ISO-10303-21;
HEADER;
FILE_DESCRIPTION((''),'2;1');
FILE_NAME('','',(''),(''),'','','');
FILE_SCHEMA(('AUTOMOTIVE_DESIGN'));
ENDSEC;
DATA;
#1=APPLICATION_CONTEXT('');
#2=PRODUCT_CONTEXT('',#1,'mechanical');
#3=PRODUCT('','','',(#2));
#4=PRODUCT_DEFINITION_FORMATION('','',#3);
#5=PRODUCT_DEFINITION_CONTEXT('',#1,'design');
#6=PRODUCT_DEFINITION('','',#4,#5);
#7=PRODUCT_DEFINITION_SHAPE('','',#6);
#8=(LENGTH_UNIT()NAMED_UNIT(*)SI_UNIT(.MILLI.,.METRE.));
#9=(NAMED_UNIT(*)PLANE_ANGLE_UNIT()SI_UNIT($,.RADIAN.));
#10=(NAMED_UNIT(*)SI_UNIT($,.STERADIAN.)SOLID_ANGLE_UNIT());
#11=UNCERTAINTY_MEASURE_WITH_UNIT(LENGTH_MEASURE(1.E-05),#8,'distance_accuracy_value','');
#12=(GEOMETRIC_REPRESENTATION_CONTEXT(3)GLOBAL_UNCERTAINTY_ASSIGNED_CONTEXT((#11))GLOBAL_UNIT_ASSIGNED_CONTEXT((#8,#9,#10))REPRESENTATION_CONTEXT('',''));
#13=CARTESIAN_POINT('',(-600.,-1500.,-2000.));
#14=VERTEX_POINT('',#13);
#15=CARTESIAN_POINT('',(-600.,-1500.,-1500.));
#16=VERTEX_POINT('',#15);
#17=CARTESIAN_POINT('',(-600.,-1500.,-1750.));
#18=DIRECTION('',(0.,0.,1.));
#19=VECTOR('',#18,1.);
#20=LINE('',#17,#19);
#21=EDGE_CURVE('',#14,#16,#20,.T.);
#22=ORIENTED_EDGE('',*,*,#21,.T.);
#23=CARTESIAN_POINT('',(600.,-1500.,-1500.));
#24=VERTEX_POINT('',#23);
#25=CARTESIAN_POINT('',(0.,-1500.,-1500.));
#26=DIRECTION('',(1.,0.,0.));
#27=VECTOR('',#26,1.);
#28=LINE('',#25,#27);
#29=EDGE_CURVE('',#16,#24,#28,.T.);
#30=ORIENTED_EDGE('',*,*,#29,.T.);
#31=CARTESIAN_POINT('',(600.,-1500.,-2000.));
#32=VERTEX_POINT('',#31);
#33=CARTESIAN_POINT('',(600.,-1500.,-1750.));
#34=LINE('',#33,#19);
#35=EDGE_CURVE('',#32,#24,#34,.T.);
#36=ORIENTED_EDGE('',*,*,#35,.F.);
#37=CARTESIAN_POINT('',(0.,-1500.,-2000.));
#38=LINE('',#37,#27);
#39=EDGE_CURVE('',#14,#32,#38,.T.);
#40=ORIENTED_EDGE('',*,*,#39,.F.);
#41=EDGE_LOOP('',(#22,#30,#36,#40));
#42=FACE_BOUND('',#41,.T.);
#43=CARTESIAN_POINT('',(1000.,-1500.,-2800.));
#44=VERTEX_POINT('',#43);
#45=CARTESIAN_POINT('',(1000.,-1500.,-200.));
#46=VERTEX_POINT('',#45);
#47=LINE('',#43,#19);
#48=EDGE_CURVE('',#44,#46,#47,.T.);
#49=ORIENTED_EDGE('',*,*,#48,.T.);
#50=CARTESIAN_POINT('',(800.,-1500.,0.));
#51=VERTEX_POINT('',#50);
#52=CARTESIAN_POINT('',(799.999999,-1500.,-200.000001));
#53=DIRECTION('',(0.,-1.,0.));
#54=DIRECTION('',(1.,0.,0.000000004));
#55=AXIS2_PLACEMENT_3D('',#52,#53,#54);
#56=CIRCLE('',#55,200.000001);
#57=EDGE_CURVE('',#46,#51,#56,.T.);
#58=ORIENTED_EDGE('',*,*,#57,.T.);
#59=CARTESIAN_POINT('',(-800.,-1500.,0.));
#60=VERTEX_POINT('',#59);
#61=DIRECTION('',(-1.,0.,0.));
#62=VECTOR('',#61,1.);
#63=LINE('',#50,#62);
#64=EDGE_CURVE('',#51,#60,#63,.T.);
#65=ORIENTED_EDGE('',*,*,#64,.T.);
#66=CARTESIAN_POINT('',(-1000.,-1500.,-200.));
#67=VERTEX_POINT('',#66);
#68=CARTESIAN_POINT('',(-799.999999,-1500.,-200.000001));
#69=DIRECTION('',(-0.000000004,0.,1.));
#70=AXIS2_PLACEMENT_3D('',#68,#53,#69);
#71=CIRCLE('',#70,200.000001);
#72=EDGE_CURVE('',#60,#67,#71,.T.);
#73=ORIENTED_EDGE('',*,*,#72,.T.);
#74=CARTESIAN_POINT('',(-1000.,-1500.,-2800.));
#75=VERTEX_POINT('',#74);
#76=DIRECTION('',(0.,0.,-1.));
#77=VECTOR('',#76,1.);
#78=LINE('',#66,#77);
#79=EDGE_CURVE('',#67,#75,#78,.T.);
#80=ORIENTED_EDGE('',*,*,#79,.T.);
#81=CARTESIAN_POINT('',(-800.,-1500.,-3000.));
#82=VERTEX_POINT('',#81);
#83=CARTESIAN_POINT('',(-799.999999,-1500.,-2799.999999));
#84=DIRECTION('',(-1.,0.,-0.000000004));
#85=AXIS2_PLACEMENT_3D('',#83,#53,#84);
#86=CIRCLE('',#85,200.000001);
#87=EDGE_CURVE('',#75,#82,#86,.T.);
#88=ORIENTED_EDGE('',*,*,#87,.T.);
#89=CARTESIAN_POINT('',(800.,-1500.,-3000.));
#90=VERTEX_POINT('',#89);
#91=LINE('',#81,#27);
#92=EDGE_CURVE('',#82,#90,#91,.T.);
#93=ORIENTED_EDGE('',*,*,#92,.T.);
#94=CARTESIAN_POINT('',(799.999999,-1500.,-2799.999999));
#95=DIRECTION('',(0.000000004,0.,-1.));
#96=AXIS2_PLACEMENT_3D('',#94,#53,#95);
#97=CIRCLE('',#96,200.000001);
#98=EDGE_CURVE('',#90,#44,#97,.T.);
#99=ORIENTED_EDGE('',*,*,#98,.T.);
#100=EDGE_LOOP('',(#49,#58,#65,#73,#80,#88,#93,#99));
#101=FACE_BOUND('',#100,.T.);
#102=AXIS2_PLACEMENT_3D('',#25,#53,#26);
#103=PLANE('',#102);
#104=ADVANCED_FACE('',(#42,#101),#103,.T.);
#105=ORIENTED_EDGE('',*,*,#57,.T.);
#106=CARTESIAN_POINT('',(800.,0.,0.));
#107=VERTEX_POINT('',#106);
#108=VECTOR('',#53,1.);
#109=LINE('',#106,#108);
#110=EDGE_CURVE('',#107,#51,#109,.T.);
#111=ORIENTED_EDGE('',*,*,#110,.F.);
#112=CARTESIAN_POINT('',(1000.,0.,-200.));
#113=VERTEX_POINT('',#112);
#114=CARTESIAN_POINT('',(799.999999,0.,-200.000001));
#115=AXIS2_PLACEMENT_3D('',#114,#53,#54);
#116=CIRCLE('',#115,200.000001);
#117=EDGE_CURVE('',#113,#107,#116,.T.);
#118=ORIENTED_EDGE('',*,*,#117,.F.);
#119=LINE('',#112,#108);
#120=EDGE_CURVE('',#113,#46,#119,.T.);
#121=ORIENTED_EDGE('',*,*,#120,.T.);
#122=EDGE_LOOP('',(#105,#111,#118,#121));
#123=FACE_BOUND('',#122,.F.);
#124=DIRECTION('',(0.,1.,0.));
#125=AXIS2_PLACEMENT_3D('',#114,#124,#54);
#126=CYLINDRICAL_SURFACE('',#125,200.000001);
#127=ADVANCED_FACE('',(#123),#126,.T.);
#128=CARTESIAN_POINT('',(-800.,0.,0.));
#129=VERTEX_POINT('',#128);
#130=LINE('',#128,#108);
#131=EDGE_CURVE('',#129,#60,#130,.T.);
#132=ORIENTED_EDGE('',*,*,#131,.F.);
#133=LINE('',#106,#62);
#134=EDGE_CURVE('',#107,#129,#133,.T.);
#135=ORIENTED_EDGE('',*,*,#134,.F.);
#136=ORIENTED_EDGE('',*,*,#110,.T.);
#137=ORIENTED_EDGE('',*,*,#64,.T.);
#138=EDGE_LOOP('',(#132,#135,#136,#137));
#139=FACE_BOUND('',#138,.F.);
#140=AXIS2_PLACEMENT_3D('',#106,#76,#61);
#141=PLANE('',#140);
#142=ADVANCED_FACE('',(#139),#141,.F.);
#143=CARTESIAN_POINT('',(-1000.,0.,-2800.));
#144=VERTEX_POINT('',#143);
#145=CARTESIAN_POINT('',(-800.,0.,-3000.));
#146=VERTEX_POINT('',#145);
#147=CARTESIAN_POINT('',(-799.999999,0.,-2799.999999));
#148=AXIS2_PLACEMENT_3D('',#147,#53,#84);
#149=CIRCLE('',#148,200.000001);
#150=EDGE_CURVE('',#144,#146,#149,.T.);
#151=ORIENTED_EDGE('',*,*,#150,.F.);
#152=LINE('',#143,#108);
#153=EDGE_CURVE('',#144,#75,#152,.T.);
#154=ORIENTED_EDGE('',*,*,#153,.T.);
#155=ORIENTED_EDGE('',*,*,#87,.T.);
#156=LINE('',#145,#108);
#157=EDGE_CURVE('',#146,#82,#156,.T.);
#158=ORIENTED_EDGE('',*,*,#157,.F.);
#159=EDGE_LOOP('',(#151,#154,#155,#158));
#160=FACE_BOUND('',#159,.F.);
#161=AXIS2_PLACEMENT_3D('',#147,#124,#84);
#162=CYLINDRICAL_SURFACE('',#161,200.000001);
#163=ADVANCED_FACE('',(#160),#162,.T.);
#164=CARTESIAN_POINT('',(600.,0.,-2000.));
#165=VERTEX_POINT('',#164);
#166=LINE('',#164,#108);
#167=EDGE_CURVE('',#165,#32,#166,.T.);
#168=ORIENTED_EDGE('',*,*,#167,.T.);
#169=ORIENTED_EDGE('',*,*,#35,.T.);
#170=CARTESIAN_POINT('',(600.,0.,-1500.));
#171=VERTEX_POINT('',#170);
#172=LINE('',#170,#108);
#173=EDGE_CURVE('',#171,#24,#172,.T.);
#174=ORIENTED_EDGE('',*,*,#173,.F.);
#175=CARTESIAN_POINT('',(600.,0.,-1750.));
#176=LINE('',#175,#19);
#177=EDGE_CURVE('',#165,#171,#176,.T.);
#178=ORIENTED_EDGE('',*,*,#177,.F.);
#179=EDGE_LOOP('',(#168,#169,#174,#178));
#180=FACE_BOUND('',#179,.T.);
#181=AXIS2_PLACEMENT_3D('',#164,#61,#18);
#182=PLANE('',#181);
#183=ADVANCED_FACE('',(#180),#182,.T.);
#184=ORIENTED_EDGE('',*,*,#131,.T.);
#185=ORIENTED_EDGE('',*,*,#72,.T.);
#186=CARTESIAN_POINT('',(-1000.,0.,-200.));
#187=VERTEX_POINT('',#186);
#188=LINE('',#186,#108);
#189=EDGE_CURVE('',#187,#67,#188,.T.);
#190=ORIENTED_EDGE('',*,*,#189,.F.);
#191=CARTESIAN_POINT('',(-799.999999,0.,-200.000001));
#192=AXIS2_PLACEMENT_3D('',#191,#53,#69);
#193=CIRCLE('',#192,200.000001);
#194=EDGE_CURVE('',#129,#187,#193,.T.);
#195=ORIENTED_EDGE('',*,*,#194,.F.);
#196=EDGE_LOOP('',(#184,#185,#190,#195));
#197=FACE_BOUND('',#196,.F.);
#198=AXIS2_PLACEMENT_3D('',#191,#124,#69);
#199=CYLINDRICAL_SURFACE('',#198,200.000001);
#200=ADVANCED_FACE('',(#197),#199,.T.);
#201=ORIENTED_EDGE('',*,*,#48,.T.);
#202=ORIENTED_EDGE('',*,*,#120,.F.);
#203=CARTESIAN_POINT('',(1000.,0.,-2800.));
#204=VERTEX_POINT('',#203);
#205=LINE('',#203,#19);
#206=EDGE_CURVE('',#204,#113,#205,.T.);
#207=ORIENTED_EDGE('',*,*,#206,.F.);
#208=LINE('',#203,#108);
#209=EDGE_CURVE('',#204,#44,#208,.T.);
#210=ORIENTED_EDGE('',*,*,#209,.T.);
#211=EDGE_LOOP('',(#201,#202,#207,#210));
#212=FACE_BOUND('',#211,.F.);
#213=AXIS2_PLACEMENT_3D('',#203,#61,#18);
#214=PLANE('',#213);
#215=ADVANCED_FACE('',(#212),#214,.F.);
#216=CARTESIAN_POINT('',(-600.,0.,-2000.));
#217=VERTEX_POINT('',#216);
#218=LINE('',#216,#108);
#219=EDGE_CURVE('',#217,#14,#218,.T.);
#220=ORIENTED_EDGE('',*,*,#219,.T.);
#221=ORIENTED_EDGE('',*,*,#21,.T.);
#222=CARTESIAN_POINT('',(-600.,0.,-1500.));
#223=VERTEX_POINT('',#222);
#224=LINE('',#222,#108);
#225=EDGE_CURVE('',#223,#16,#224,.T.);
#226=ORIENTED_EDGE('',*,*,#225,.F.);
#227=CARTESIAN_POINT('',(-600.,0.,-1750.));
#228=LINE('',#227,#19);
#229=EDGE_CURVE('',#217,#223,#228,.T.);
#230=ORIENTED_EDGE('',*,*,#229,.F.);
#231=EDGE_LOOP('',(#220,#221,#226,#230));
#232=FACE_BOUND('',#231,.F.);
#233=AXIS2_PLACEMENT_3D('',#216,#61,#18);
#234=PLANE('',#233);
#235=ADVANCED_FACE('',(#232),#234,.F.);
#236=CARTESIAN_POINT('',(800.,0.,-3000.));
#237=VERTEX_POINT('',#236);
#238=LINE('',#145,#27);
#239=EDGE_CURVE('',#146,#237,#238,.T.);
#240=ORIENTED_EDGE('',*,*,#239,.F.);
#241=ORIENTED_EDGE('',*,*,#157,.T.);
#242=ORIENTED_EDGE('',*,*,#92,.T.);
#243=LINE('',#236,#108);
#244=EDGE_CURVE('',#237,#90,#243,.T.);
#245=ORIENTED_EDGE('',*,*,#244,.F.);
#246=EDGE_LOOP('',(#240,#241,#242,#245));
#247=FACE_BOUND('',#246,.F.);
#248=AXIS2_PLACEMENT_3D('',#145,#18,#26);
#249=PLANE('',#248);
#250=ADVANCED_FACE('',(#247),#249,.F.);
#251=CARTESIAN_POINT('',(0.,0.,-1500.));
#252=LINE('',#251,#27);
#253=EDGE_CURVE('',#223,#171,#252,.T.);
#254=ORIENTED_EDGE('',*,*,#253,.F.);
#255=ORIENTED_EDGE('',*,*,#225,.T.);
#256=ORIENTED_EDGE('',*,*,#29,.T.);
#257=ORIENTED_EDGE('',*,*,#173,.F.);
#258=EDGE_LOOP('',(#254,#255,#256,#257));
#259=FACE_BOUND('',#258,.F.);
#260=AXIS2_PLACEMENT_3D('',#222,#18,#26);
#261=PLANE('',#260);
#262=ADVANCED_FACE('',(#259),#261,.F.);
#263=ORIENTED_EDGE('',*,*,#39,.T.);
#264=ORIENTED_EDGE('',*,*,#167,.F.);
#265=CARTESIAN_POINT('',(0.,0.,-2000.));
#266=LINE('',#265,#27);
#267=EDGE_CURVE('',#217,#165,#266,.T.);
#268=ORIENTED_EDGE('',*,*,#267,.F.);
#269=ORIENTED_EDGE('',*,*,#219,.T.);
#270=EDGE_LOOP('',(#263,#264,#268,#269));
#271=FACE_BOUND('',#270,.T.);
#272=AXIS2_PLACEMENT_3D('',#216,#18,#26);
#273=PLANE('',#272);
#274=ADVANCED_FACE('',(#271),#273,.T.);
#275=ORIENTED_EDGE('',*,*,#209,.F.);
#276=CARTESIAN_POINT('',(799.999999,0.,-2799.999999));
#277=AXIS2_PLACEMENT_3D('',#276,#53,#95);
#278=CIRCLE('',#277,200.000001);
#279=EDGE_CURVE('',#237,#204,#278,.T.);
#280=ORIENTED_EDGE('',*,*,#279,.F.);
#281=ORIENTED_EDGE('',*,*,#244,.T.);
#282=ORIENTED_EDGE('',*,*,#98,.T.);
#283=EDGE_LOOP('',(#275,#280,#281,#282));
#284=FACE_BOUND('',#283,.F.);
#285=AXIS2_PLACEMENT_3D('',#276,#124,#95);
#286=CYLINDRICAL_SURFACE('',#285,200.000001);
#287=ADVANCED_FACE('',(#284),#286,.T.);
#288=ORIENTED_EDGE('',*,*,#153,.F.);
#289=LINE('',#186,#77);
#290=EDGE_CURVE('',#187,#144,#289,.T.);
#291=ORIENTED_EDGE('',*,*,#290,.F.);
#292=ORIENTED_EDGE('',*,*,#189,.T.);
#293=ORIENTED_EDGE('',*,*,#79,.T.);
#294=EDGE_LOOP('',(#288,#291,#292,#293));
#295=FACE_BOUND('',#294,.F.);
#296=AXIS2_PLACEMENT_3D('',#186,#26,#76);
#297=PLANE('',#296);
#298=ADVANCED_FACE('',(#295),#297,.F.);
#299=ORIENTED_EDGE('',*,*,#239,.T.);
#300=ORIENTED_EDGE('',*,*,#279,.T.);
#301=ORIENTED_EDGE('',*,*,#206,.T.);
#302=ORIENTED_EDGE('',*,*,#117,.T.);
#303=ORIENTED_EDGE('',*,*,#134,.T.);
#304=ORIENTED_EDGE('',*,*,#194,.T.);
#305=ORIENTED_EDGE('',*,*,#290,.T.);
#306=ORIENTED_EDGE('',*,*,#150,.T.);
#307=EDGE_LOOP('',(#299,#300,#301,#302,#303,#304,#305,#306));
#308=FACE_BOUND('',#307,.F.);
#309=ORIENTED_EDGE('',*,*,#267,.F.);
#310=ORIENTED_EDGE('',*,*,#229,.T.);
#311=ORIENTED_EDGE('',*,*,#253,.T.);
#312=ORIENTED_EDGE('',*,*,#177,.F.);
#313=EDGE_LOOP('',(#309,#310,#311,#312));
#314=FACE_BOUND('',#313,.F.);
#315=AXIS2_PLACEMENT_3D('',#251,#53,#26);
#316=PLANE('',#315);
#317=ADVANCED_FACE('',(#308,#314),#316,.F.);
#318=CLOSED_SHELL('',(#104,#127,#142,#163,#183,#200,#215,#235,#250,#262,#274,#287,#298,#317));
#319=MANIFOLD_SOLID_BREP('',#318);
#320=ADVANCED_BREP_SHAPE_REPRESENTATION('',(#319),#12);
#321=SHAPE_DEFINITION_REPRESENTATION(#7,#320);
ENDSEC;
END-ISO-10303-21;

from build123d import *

# Parameters (mm, degrees)
F0_W     = 1200
F0_H     = 500
F1_DEPTH = 1500


with BuildPart() as f1:
    # F0 (on Front) → F1 (new body)
    with BuildSketch(Plane.XZ):
        with BuildLine():
            Line((800, 0), (-800, 0))
            ThreePointArc((-800, 0), (-941.421356, -58.578644), (-1000, -200))
            Line((-1000, -200), (-1000, -2800))
            ThreePointArc((-1000, -2800), (-941.421356, -2941.421356), (-800, -3000))
            Line((-800, -3000), (800, -3000))
            ThreePointArc((800, -3000), (941.421356, -2941.421356), (1000, -2800))
            Line((1000, -2800), (1000, -200))
            ThreePointArc((1000, -200), (941.421356, -58.578644), (800, 0))
        make_face()
        with Locations((0, -1750)):
            Rectangle(F0_W, F0_H, mode=Mode.SUBTRACT)
    extrude(amount=F1_DEPTH)


solid = f1.part
